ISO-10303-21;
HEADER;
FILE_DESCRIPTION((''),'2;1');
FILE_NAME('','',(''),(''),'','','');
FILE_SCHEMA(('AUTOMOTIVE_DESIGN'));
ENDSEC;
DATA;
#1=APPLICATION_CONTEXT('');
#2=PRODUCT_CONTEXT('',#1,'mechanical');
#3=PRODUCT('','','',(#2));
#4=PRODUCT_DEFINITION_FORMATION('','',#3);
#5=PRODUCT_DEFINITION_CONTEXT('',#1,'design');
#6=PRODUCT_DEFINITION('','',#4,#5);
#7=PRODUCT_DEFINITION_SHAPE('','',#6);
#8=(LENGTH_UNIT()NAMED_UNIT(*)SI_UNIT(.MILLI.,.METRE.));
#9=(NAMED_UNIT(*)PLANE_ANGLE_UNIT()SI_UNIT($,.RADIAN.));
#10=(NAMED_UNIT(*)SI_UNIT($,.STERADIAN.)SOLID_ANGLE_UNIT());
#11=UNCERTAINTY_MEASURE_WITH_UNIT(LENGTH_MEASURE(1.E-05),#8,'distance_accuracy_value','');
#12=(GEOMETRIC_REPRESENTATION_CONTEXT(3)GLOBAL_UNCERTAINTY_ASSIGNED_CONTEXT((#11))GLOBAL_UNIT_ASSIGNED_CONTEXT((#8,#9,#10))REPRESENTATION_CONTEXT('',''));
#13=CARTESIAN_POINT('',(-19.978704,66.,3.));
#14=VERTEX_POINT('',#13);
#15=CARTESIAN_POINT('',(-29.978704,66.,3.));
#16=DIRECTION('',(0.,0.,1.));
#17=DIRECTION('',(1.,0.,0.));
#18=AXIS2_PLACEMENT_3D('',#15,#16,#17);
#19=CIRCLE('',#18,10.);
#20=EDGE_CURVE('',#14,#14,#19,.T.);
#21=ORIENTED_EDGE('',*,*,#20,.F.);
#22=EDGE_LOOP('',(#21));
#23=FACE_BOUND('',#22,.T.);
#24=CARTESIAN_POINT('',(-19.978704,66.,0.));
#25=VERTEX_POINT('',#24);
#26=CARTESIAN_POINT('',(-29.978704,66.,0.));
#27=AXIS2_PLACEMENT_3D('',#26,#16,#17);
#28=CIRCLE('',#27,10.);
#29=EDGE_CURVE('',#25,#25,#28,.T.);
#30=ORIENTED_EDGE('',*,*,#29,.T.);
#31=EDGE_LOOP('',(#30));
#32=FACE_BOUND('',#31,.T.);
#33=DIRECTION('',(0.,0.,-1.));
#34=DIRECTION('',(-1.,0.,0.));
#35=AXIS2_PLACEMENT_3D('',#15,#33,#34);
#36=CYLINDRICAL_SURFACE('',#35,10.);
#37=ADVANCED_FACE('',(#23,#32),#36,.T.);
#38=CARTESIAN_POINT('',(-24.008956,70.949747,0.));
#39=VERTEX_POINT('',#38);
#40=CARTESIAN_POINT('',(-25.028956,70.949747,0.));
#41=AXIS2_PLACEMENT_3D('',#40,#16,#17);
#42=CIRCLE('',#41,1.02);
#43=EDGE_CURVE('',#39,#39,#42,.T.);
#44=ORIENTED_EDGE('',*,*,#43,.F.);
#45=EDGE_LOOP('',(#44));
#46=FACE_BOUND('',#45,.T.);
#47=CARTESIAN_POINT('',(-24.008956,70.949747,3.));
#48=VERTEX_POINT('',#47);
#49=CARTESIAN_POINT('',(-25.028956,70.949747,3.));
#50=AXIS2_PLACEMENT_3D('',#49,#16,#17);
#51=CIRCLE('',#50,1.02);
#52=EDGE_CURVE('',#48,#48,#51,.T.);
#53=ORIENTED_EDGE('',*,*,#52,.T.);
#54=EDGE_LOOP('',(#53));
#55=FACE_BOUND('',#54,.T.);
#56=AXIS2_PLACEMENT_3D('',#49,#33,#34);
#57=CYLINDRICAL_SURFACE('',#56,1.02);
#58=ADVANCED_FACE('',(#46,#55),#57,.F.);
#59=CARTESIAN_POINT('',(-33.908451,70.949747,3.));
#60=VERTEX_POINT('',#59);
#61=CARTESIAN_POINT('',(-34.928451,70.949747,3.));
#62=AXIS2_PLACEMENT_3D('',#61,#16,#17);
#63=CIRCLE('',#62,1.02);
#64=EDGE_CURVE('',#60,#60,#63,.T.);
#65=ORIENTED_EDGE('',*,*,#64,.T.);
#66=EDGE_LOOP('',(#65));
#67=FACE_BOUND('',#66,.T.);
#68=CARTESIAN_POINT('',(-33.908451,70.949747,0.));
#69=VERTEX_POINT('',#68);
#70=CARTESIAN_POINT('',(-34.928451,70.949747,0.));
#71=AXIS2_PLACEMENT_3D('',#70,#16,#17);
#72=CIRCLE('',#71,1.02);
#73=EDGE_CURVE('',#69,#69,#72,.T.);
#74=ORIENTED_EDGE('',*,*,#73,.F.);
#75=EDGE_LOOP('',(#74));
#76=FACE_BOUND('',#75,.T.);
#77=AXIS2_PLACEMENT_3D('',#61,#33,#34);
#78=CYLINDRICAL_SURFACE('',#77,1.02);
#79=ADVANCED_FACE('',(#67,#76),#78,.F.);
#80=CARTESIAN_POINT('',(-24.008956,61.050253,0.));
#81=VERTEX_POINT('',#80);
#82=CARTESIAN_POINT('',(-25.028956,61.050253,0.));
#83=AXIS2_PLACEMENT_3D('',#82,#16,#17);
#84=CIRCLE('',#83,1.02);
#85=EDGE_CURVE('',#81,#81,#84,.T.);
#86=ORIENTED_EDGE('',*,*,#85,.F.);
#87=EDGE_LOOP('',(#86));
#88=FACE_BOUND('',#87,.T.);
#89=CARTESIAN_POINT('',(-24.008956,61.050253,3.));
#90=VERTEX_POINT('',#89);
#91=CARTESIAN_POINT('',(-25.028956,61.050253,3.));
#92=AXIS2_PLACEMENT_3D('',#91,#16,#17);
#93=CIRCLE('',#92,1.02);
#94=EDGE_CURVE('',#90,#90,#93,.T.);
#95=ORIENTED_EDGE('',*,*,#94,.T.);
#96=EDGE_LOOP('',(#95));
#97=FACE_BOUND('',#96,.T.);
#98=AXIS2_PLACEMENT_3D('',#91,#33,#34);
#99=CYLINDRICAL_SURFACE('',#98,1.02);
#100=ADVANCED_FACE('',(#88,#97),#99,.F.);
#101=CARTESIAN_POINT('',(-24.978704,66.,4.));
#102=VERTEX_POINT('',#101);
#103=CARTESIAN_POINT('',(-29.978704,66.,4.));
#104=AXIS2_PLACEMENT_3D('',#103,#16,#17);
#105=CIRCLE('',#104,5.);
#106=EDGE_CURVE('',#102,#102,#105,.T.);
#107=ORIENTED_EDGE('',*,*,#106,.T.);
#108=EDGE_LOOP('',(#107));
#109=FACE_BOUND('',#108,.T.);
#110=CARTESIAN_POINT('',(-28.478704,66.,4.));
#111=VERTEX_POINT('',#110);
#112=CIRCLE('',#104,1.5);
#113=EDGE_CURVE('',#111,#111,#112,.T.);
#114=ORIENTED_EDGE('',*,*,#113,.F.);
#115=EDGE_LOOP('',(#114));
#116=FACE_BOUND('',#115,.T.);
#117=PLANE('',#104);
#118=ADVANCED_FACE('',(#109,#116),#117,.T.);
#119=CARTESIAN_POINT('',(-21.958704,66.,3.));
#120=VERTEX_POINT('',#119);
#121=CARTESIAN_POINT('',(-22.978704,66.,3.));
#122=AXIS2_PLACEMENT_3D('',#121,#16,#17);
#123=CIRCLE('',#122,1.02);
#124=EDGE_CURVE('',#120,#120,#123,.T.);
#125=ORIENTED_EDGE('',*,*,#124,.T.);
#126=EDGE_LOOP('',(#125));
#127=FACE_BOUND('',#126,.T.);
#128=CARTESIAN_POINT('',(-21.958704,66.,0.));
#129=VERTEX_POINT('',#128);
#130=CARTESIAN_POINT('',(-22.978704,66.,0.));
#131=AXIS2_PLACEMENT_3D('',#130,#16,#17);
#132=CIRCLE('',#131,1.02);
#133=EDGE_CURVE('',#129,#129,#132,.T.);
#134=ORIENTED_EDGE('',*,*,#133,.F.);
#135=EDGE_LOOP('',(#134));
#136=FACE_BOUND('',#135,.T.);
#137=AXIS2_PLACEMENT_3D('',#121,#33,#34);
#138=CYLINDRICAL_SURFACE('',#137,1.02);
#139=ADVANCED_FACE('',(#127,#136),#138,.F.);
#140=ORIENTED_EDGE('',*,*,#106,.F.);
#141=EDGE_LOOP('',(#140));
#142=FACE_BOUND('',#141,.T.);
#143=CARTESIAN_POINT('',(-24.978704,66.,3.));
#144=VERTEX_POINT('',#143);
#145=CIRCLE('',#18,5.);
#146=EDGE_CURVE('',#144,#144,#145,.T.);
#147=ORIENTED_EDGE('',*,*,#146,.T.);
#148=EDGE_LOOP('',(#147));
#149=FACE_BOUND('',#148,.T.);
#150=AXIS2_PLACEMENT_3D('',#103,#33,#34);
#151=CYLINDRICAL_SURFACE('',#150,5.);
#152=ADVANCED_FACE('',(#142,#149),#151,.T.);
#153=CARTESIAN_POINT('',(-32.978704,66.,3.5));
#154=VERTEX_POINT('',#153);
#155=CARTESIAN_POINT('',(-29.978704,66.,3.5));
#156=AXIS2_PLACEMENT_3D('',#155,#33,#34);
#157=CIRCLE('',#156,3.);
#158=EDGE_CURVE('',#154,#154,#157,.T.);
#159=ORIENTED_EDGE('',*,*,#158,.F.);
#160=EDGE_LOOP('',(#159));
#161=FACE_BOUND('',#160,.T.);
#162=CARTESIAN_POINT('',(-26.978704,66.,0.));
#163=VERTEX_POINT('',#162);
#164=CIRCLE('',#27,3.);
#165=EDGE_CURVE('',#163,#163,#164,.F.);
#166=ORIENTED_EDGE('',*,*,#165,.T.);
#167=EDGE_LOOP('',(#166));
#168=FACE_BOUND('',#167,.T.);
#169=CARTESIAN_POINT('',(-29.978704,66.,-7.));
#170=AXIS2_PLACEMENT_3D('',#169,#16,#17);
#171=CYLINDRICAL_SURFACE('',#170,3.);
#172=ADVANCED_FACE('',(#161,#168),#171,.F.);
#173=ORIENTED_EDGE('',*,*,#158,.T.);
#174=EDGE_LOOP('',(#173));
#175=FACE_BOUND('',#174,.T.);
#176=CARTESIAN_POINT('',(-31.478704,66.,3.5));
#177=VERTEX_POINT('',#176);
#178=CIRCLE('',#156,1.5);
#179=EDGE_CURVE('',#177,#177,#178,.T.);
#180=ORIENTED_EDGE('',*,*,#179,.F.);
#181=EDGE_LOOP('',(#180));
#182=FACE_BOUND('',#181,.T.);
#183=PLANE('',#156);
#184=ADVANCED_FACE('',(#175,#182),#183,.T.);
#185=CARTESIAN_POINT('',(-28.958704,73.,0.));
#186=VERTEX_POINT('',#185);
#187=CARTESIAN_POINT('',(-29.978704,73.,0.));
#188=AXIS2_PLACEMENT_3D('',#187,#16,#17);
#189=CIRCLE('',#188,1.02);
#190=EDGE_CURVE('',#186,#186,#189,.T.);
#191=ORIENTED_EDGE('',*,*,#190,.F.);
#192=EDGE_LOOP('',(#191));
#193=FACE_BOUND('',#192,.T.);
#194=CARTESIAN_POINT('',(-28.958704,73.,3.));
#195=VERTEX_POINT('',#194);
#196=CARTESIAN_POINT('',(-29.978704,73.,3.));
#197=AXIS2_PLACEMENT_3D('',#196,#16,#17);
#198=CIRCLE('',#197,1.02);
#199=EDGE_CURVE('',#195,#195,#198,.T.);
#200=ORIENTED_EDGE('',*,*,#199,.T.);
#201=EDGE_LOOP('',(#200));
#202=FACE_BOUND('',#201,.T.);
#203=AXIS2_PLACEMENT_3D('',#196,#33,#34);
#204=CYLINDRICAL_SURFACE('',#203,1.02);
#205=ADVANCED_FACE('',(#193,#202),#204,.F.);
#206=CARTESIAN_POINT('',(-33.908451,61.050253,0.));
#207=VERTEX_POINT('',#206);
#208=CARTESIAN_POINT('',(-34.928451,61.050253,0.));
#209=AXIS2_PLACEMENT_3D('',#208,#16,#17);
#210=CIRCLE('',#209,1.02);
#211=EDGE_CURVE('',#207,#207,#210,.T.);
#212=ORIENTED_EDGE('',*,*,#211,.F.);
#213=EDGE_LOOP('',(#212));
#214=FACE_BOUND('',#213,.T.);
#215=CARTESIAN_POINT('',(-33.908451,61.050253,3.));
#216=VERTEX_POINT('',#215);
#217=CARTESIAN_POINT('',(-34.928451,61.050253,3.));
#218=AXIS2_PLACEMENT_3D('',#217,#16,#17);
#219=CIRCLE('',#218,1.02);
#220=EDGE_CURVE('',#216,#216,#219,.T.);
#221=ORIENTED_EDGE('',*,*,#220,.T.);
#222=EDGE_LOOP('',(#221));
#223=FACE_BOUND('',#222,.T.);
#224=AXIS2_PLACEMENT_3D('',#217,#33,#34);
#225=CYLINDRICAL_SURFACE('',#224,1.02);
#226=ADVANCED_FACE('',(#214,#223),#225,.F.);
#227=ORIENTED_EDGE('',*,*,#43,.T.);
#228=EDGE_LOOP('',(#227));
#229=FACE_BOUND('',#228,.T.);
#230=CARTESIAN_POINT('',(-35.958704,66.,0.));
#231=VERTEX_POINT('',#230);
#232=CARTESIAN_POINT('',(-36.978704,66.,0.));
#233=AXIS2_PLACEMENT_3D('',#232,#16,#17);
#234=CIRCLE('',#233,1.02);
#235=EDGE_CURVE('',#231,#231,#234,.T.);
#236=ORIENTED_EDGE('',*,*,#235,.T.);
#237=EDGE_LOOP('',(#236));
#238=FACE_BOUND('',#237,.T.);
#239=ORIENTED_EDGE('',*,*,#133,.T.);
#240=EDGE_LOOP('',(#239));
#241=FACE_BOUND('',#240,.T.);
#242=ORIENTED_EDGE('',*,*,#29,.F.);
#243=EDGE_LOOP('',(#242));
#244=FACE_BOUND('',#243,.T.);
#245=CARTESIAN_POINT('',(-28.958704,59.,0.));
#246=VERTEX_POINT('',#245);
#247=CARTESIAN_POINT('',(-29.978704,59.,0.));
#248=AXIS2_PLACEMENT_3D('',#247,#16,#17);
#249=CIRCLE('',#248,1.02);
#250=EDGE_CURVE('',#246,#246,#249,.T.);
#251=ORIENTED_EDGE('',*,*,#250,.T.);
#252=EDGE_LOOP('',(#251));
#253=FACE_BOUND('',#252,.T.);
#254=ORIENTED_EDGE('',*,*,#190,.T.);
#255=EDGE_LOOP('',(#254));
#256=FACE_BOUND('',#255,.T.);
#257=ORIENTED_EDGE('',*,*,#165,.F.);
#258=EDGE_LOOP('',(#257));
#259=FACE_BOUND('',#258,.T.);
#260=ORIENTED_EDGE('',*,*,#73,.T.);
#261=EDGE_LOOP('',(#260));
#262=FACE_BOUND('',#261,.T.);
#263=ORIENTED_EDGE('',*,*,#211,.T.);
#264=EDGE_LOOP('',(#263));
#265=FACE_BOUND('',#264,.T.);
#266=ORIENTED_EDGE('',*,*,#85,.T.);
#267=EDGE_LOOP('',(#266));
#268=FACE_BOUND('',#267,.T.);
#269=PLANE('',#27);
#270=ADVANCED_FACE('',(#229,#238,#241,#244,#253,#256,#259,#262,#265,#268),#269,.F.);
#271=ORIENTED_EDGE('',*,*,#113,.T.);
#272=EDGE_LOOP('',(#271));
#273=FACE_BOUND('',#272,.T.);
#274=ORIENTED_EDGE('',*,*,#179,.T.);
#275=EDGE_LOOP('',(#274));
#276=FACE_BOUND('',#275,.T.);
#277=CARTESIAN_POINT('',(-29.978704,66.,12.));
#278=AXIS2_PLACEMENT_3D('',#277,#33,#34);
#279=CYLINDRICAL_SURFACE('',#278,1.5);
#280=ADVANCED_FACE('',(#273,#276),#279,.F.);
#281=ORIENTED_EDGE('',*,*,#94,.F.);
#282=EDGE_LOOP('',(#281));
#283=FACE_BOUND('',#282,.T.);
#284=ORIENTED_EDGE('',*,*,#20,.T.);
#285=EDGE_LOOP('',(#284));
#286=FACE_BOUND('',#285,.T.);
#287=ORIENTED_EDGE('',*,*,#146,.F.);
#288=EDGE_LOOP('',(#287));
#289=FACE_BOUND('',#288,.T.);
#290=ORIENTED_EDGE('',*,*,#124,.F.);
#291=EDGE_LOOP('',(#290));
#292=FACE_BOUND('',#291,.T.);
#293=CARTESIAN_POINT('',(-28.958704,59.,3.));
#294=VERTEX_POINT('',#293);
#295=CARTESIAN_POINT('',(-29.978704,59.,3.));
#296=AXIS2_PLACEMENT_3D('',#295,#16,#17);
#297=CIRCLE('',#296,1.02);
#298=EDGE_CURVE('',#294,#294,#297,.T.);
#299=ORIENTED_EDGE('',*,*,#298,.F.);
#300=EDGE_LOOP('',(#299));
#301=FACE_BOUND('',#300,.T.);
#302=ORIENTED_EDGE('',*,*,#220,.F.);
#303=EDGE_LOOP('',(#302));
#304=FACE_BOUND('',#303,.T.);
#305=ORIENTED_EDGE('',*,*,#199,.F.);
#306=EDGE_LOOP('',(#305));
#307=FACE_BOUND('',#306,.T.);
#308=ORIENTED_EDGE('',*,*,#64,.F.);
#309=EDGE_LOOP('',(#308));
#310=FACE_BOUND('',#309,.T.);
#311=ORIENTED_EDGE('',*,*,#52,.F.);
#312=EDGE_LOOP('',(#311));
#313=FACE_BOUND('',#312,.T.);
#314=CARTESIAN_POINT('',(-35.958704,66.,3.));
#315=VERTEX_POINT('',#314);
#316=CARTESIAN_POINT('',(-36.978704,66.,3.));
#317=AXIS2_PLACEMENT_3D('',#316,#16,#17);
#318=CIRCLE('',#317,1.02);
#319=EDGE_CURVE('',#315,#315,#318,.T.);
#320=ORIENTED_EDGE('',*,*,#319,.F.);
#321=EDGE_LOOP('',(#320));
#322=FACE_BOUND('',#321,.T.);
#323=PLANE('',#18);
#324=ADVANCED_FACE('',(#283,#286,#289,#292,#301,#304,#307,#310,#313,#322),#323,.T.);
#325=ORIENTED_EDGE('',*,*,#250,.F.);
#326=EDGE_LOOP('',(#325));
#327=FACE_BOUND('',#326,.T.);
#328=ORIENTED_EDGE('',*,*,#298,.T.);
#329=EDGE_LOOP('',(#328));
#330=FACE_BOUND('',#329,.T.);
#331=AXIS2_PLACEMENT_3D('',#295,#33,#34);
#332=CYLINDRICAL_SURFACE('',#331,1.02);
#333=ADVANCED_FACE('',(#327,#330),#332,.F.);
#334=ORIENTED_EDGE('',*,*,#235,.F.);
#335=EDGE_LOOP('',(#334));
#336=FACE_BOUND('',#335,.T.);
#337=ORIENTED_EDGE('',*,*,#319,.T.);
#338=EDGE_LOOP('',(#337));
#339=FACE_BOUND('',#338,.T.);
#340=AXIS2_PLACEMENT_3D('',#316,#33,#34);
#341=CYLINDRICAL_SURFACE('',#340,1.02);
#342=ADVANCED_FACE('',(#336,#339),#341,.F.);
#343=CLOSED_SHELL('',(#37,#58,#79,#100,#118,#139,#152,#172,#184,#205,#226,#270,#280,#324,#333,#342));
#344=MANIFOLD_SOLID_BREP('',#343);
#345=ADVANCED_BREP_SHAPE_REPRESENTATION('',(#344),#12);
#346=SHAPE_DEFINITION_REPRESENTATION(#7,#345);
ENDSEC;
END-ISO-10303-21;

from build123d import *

# Parameters (mm, degrees)
SKETCH_1_R               = 10
SKETCH_1_R_2             = 1.02
SKETCH_1_R_3             = 1.5
EXTRUDE_1_DEPTH          = 3
SKETCH_2_R               = 5
EXTRUDE_2_DEPTH          = 1
CUT_EXTRUDE_1_DEPTH      = 10
CUT_EXTRUDE_1_DEPTH_BACK = 0.5
SKETCH_3_R               = 3
SKETCH_4_R               = 1.5
CUT_EXTRUDE_2_DEPTH      = 8.5


with BuildPart() as part:
    # ｽｹｯﾁ1 → ﾎﾞｽ - 押し出し1 (new body)
    with BuildSketch(Plane.XY):
        with Locations((-29.978703949, 66)):
            Circle(SKETCH_1_R)
        with Locations((-25.028956481, 61.050252532)):
            Circle(SKETCH_1_R_2, mode=Mode.SUBTRACT)
        with Locations((-29.978703949, 59)):
            Circle(SKETCH_1_R_2, mode=Mode.SUBTRACT)
        with Locations((-34.928451418, 61.050252532)):
            Circle(SKETCH_1_R_2, mode=Mode.SUBTRACT)
        with Locations((-36.978703949, 66)):
            Circle(SKETCH_1_R_2, mode=Mode.SUBTRACT)
        with Locations((-34.928451418, 70.949747468)):
            Circle(SKETCH_1_R_2, mode=Mode.SUBTRACT)
        with Locations((-29.978703949, 73)):
            Circle(SKETCH_1_R_2, mode=Mode.SUBTRACT)
        with Locations((-25.028956481, 70.949747468)):
            Circle(SKETCH_1_R_2, mode=Mode.SUBTRACT)
        with Locations((-22.978703949, 66)):
            Circle(SKETCH_1_R_2, mode=Mode.SUBTRACT)
        with Locations((-29.978703949, 66)):
            Circle(SKETCH_1_R_3, mode=Mode.SUBTRACT)
    extrude(amount=EXTRUDE_1_DEPTH)

    # ｽｹｯﾁ2 → ﾎﾞｽ - 押し出し2 (add)
    with BuildSketch(Plane.XY.offset(3)):
        with Locations((-29.978703949, 66)):
            Circle(SKETCH_2_R)
    extrude(amount=EXTRUDE_2_DEPTH)

    # ｽｹｯﾁ3 → ｶｯﾄ - 押し出し1 (cut, two sides: drawn at the far end of the back side and taken through both)
    with BuildSketch(Plane(origin=(0, 0, 3), x_dir=(-1, 0, 0), z_dir=(0, 0, -1)).offset(-CUT_EXTRUDE_1_DEPTH_BACK)):
        with Locations(Location((29.978703949, 66, 0), (0, 0, 180))):
            Circle(SKETCH_3_R)
    extrude(amount=CUT_EXTRUDE_1_DEPTH + CUT_EXTRUDE_1_DEPTH_BACK, mode=Mode.SUBTRACT)

    # ｽｹｯﾁ4 → ｶｯﾄ - 押し出し2 (cut)
    with BuildSketch(Plane(origin=(0, 0, 3.5), x_dir=(-1, 0, 0), z_dir=(0, 0, -1))):
        with Locations((29.978703949, 66)):
            Circle(SKETCH_4_R)
    extrude(amount=-CUT_EXTRUDE_2_DEPTH, mode=Mode.SUBTRACT)


solid = part.part
